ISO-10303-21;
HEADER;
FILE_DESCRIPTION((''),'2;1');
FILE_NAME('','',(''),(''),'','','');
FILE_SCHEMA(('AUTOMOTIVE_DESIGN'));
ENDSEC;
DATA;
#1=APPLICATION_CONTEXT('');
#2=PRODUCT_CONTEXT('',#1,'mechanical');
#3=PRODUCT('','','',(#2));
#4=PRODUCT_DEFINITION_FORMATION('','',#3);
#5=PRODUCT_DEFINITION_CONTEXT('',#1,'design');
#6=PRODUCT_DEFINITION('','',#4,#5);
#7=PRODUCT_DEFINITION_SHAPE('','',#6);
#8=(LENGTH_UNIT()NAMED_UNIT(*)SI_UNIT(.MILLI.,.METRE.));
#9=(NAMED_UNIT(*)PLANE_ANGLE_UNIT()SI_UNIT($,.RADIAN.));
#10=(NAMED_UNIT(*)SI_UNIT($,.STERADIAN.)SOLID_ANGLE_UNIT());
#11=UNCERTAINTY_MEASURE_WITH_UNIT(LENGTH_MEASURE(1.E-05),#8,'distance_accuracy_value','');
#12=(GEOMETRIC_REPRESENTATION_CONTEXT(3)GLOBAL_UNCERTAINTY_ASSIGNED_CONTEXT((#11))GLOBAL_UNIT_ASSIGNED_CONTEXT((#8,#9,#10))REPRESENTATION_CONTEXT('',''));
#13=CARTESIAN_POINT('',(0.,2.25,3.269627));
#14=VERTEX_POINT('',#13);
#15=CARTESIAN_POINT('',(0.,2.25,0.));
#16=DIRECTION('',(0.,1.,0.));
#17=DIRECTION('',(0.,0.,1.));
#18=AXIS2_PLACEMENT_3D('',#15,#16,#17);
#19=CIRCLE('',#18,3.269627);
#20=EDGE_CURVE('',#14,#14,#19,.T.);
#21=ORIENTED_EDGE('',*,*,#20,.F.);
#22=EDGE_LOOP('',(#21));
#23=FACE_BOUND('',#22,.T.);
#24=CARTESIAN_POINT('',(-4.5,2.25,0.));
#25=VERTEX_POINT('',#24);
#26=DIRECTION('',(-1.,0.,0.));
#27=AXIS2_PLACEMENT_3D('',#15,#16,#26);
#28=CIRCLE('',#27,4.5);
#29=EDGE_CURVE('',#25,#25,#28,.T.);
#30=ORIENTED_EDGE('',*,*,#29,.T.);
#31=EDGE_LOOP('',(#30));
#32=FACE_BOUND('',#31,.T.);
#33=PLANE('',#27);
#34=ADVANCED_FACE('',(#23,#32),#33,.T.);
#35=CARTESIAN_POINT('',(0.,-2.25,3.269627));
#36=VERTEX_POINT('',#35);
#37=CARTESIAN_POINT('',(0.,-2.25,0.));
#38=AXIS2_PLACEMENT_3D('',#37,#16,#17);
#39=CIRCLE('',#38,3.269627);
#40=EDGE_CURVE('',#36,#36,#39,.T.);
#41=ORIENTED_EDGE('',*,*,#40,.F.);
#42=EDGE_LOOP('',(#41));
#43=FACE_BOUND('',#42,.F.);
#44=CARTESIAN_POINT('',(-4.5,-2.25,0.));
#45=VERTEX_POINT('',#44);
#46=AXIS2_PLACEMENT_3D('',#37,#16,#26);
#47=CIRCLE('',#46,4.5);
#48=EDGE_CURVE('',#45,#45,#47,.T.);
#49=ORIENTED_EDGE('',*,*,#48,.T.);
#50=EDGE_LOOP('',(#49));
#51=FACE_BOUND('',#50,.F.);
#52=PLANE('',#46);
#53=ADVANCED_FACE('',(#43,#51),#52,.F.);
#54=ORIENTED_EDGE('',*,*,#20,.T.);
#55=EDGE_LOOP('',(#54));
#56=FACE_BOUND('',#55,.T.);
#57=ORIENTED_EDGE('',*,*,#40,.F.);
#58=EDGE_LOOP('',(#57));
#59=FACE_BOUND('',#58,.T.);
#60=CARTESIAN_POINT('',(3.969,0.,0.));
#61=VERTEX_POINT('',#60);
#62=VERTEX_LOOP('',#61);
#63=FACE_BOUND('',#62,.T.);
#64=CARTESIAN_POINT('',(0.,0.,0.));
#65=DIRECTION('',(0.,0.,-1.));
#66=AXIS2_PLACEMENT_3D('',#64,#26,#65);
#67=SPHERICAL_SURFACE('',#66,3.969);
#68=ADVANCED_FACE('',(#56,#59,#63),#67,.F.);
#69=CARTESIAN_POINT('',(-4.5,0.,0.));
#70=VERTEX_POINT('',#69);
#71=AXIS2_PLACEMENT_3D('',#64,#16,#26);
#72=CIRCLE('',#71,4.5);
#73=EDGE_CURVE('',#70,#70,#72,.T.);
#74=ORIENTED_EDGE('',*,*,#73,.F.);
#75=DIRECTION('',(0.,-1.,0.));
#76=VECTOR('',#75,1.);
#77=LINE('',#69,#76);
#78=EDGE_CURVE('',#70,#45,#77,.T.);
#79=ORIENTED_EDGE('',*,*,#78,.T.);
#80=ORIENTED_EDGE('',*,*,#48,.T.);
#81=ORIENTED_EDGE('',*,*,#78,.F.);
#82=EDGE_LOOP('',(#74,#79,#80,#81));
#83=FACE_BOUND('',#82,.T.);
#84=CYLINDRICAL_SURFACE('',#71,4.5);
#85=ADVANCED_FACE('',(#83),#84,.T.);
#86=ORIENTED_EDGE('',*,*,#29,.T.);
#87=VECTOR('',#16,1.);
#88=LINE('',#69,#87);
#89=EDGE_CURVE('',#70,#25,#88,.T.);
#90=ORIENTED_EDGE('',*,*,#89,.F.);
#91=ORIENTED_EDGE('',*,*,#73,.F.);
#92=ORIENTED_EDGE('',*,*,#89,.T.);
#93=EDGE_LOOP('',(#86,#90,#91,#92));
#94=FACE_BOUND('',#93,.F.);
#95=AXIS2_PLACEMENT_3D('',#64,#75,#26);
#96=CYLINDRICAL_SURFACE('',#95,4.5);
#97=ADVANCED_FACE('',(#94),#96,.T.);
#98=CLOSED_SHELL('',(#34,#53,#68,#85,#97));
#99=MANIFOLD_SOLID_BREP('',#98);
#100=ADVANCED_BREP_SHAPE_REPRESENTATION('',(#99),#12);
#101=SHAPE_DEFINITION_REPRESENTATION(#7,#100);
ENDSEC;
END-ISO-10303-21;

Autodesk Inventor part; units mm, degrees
ref_plane "YZ Plane" through (0, 0, 0) normal (1, 0, 0) x (0, 1, 0)
ref_plane "XZ Plane" through (0, 0, 0) normal (0, 1, 0) x (-1, 0, 0)
ref_plane "XY Plane" through (0, 0, 0) normal (0, 0, 1) x (1, 0, 0)
sketch "Эскиз1" plane through (0, 0, 0) normal (0, 1, 0) x (-1, 0, 0)
  circle A0 centre (0, 0) radius 4.5
  dimension "d0" = 9
extrude "Выдавливание1" add sketch "Эскиз1" along normal mid plane 4.5
sketch "Эскиз2" plane through (0, 0, 0) normal (0, 1, 0) x (-1, 0, 0)
  circle A0 centre (0, 0) radius 3.969
  line L0 (3.969, 0) -> (-3.969, 0)
  dimension "d3" = 7.938
  dimension "d4" = 7.938
revolve "Вращение1" cut sketch "Эскиз2" angle 360 about axis through (-3.969, 0, 0) along (1, 0, 0) picked at (1.323, -1.2297) contours A0 L0
properties part number "Cylinder" material "Латунь, мягкая, желтая"
